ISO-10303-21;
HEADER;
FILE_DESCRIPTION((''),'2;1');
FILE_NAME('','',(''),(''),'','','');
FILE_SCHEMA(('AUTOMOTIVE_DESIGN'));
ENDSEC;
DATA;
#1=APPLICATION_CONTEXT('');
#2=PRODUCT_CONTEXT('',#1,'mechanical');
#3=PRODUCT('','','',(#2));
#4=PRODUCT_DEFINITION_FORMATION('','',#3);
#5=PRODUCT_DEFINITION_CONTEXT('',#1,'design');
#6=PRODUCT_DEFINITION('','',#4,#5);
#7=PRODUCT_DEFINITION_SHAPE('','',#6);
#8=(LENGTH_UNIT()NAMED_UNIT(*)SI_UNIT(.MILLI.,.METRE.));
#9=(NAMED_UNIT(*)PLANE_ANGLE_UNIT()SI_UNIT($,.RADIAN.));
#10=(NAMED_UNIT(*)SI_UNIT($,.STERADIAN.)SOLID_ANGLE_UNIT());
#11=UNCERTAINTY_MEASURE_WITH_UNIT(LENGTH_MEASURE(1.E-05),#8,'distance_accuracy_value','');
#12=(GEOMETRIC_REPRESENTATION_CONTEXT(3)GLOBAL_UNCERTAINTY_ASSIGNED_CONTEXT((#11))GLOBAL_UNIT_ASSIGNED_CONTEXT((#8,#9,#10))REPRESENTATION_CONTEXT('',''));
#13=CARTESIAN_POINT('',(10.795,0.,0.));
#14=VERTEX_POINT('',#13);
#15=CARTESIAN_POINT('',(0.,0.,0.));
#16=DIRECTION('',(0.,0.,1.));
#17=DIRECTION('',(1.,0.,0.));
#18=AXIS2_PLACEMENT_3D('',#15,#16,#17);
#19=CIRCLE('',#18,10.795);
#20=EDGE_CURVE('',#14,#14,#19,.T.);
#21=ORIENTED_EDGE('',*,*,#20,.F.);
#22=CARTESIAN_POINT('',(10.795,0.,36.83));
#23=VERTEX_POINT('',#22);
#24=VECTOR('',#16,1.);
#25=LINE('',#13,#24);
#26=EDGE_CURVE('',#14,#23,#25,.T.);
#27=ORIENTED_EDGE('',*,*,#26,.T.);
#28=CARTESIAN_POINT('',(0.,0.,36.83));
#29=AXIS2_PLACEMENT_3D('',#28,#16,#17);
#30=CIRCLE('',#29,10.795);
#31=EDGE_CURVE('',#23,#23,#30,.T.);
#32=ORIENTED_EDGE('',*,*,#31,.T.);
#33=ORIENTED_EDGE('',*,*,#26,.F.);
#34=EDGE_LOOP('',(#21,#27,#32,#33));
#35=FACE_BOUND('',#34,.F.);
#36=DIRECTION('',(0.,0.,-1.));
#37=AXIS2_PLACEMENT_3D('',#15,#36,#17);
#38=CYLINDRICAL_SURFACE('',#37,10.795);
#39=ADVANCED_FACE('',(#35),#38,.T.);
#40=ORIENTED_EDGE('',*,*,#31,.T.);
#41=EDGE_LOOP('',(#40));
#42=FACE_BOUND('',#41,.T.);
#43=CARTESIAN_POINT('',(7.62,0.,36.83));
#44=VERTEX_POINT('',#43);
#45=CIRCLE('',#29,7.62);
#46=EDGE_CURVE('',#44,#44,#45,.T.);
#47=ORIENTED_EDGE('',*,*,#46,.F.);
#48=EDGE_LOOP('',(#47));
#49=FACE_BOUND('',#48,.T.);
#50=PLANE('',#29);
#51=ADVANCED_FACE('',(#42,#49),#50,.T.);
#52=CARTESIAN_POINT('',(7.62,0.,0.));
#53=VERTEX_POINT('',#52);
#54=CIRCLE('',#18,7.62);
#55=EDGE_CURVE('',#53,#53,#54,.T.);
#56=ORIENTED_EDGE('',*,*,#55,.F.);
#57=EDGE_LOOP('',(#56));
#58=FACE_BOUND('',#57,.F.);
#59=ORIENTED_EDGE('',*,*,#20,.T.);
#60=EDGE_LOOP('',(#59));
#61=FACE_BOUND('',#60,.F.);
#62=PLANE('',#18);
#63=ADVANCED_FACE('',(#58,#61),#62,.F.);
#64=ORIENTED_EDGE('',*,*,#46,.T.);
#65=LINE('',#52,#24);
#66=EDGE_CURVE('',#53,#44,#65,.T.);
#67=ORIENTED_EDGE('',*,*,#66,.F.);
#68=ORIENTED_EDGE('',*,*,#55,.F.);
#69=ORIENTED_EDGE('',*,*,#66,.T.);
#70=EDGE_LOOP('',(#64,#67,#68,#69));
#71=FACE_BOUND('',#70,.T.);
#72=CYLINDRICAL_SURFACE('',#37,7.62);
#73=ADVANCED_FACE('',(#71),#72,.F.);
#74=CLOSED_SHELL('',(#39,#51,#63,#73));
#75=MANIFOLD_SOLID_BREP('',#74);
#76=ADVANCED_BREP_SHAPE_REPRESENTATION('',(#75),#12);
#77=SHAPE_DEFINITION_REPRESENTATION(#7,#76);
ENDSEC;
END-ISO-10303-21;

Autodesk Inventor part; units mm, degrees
ref_plane "YZ Plane" through (0, 0, 0) normal (1, 0, 0) x (0, 1, 0)
ref_plane "XZ Plane" through (0, 0, 0) normal (0, 1, 0) x (-1, 0, 0)
ref_plane "XY Plane" through (0, 0, 0) normal (0, 0, 1) x (1, 0, 0)
sketch "Sketch1" plane through (0, 0, 0) normal (0, 0, 1) x (1, 0, 0)
  circle A0 centre (0, 0) radius 10.795
  circle A1 centre (0, 0) radius 7.62
  dimension "d0" = 21.59
  dimension "d2" = 15.24
extrude "Extrusion1" add sketch "Sketch1" along normal blind 36.83
properties part number "3in Pipe" material "PVC-Piping"
